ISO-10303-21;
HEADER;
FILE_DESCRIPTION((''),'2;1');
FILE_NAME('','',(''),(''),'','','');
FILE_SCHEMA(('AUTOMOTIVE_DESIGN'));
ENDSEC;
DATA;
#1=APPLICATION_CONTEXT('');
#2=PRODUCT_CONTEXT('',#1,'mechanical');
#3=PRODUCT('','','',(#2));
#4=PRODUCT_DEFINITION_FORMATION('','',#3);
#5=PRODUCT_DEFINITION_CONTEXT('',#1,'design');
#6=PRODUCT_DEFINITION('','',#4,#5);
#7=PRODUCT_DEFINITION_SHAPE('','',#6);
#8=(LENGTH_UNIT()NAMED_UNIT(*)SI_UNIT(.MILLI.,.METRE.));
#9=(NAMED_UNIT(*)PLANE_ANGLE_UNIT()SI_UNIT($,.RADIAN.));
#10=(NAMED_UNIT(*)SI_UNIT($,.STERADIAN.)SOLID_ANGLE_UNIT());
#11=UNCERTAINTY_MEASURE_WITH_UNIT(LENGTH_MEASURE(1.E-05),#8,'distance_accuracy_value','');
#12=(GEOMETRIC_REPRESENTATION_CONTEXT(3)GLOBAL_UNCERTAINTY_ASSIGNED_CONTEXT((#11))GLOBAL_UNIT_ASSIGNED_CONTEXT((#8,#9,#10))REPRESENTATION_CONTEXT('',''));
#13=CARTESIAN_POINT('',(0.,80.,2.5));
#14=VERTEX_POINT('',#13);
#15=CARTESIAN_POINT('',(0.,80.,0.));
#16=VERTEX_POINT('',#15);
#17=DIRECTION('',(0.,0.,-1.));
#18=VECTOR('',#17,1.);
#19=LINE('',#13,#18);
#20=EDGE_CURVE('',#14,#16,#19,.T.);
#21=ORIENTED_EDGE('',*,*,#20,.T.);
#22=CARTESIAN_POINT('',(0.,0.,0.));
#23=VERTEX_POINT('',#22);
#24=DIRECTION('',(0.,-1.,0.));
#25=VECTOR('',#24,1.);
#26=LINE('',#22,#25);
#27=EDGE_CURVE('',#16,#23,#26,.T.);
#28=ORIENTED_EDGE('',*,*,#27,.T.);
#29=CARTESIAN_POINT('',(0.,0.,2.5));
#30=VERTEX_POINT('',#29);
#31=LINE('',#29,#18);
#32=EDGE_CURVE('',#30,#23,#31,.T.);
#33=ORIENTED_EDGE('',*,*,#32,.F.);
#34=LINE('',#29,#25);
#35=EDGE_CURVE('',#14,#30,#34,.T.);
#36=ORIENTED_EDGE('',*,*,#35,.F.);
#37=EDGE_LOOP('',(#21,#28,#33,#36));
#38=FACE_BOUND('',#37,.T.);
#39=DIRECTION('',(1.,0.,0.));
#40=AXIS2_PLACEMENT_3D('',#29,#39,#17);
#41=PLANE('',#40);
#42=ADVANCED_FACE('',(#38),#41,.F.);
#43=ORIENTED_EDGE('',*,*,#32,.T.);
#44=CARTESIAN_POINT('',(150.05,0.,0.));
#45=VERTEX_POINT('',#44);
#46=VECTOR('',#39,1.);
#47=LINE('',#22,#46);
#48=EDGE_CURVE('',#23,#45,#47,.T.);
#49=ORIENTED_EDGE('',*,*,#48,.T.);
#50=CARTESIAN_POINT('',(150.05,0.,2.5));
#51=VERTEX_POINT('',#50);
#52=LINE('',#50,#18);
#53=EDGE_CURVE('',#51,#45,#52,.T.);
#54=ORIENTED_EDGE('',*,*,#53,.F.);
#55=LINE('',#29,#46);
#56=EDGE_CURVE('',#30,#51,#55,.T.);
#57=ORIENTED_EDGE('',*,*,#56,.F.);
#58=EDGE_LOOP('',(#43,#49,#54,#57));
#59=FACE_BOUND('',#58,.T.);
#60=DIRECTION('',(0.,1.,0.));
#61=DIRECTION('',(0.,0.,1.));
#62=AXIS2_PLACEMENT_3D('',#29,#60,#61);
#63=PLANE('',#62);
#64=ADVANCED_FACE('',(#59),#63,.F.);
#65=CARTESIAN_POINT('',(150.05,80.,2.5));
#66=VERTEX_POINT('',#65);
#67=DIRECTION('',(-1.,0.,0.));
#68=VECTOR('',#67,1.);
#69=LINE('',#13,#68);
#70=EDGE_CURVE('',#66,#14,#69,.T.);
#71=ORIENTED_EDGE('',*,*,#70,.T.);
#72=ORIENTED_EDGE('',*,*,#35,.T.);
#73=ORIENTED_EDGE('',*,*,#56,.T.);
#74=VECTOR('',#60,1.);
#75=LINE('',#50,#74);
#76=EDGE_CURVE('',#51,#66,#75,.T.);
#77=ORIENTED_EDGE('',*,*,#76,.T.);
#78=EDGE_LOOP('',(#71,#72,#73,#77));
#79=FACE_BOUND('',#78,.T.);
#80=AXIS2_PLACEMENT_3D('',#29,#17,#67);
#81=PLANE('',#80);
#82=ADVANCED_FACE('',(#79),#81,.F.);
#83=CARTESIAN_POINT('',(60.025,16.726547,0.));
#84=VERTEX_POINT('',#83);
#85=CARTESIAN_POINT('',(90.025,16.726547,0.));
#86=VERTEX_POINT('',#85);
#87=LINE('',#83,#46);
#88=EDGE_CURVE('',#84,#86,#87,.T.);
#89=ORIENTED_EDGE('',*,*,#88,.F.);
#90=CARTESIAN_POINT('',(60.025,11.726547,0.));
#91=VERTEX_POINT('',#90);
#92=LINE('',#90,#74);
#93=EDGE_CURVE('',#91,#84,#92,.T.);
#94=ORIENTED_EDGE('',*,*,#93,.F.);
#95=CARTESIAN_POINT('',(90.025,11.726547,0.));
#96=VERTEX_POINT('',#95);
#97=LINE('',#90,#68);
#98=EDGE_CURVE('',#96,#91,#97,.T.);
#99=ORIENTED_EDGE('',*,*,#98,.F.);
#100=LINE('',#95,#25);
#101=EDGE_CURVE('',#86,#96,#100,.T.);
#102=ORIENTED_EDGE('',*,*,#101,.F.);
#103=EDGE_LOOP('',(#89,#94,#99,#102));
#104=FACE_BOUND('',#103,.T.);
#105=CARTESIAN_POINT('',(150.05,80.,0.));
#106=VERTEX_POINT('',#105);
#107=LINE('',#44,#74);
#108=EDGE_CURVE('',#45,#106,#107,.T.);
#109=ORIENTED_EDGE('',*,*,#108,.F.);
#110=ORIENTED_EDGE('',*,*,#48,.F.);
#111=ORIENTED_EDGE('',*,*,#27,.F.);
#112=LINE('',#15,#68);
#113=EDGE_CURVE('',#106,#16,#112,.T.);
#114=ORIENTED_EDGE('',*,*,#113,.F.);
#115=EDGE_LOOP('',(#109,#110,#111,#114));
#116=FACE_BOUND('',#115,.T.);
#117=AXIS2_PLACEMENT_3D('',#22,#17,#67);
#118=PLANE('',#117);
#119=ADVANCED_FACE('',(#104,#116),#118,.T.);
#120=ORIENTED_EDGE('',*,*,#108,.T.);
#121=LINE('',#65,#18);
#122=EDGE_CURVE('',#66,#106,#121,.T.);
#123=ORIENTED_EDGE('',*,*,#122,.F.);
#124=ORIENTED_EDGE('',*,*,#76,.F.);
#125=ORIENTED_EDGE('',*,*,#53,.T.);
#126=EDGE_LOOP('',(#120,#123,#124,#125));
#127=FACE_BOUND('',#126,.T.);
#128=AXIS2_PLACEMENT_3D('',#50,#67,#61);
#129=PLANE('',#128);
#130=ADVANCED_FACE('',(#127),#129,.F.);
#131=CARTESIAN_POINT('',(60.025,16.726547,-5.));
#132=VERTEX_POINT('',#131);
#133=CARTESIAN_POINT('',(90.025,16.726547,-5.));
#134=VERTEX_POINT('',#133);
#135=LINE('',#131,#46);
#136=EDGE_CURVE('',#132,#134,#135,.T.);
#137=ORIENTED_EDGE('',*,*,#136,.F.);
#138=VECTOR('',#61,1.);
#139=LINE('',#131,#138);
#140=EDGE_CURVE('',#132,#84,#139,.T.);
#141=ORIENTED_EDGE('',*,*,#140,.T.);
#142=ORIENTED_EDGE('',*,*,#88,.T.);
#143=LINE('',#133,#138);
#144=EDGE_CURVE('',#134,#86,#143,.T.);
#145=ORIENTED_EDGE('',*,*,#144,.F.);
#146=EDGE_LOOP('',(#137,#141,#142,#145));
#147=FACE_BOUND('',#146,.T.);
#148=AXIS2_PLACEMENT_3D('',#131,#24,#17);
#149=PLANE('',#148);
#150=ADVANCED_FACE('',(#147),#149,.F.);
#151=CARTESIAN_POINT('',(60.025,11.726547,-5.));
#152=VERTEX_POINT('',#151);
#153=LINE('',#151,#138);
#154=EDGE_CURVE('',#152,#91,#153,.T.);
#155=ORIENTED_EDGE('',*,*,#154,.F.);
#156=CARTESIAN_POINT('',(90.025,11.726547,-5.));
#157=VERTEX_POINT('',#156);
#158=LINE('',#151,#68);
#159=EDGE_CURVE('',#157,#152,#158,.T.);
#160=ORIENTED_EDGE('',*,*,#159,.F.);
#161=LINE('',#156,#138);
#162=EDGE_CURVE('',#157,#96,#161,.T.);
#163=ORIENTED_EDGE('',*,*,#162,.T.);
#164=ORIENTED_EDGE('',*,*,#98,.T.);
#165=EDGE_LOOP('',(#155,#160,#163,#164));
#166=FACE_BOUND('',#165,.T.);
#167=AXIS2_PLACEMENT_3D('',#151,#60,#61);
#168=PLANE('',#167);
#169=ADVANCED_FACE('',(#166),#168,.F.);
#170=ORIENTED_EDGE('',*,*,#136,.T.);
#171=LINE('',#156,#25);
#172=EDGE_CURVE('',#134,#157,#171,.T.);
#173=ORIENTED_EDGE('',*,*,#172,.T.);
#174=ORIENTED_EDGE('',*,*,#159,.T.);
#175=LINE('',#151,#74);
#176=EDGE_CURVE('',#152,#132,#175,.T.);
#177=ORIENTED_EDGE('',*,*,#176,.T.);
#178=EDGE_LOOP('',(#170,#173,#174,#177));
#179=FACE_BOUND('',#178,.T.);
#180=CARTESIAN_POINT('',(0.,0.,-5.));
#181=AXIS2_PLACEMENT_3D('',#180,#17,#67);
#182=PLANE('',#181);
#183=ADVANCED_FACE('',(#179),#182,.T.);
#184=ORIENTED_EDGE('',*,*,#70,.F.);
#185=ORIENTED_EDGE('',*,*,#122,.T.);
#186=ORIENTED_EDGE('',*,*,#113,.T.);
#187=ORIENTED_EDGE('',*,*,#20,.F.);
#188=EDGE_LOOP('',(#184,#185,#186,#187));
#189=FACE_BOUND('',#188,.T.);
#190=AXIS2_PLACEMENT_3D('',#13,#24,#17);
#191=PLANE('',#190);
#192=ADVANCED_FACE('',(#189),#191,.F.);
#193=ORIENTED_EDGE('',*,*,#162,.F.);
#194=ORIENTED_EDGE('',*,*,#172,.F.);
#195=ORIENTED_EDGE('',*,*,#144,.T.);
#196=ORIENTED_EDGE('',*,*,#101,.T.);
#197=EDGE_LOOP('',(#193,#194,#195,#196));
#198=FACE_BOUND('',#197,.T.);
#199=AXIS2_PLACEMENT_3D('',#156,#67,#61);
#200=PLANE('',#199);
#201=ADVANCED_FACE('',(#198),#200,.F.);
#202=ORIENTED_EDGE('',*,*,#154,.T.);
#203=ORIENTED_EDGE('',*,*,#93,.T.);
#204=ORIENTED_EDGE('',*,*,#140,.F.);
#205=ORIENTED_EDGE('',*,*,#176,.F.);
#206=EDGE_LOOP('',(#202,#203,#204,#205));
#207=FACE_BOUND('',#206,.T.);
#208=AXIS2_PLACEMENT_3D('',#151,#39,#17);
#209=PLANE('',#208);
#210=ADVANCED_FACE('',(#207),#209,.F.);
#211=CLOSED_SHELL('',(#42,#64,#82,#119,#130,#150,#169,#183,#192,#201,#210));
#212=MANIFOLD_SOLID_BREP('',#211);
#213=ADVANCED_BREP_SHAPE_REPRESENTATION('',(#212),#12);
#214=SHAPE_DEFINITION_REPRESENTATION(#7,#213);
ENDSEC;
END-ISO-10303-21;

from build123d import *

# Parameters (mm, degrees)
SKETCH1_W           = 150.05
SKETCH1_H           = 80
BOSS_EXTRUDE1_DEPTH = 2.5
SKETCH2_W           = 30
SKETCH2_H           = 5
BOSS_EXTRUDE2_DEPTH = 5


with BuildPart() as part:
    # Sketch1 → Boss-Extrude1 (new body)
    with BuildSketch(Plane.XY):
        with Locations((75.025, 40)):
            Rectangle(SKETCH1_W, SKETCH1_H)
    extrude(amount=BOSS_EXTRUDE1_DEPTH)

    # Sketch2 → Boss-Extrude2 (add)
    with BuildSketch(Plane(origin=(0, 0, 0), x_dir=(-1, 0, 0), z_dir=(0, 0, -1))):
        with Locations((-75.025, 14.226547444)):
            Rectangle(SKETCH2_W, SKETCH2_H)
    extrude(amount=BOSS_EXTRUDE2_DEPTH)


solid = part.part
